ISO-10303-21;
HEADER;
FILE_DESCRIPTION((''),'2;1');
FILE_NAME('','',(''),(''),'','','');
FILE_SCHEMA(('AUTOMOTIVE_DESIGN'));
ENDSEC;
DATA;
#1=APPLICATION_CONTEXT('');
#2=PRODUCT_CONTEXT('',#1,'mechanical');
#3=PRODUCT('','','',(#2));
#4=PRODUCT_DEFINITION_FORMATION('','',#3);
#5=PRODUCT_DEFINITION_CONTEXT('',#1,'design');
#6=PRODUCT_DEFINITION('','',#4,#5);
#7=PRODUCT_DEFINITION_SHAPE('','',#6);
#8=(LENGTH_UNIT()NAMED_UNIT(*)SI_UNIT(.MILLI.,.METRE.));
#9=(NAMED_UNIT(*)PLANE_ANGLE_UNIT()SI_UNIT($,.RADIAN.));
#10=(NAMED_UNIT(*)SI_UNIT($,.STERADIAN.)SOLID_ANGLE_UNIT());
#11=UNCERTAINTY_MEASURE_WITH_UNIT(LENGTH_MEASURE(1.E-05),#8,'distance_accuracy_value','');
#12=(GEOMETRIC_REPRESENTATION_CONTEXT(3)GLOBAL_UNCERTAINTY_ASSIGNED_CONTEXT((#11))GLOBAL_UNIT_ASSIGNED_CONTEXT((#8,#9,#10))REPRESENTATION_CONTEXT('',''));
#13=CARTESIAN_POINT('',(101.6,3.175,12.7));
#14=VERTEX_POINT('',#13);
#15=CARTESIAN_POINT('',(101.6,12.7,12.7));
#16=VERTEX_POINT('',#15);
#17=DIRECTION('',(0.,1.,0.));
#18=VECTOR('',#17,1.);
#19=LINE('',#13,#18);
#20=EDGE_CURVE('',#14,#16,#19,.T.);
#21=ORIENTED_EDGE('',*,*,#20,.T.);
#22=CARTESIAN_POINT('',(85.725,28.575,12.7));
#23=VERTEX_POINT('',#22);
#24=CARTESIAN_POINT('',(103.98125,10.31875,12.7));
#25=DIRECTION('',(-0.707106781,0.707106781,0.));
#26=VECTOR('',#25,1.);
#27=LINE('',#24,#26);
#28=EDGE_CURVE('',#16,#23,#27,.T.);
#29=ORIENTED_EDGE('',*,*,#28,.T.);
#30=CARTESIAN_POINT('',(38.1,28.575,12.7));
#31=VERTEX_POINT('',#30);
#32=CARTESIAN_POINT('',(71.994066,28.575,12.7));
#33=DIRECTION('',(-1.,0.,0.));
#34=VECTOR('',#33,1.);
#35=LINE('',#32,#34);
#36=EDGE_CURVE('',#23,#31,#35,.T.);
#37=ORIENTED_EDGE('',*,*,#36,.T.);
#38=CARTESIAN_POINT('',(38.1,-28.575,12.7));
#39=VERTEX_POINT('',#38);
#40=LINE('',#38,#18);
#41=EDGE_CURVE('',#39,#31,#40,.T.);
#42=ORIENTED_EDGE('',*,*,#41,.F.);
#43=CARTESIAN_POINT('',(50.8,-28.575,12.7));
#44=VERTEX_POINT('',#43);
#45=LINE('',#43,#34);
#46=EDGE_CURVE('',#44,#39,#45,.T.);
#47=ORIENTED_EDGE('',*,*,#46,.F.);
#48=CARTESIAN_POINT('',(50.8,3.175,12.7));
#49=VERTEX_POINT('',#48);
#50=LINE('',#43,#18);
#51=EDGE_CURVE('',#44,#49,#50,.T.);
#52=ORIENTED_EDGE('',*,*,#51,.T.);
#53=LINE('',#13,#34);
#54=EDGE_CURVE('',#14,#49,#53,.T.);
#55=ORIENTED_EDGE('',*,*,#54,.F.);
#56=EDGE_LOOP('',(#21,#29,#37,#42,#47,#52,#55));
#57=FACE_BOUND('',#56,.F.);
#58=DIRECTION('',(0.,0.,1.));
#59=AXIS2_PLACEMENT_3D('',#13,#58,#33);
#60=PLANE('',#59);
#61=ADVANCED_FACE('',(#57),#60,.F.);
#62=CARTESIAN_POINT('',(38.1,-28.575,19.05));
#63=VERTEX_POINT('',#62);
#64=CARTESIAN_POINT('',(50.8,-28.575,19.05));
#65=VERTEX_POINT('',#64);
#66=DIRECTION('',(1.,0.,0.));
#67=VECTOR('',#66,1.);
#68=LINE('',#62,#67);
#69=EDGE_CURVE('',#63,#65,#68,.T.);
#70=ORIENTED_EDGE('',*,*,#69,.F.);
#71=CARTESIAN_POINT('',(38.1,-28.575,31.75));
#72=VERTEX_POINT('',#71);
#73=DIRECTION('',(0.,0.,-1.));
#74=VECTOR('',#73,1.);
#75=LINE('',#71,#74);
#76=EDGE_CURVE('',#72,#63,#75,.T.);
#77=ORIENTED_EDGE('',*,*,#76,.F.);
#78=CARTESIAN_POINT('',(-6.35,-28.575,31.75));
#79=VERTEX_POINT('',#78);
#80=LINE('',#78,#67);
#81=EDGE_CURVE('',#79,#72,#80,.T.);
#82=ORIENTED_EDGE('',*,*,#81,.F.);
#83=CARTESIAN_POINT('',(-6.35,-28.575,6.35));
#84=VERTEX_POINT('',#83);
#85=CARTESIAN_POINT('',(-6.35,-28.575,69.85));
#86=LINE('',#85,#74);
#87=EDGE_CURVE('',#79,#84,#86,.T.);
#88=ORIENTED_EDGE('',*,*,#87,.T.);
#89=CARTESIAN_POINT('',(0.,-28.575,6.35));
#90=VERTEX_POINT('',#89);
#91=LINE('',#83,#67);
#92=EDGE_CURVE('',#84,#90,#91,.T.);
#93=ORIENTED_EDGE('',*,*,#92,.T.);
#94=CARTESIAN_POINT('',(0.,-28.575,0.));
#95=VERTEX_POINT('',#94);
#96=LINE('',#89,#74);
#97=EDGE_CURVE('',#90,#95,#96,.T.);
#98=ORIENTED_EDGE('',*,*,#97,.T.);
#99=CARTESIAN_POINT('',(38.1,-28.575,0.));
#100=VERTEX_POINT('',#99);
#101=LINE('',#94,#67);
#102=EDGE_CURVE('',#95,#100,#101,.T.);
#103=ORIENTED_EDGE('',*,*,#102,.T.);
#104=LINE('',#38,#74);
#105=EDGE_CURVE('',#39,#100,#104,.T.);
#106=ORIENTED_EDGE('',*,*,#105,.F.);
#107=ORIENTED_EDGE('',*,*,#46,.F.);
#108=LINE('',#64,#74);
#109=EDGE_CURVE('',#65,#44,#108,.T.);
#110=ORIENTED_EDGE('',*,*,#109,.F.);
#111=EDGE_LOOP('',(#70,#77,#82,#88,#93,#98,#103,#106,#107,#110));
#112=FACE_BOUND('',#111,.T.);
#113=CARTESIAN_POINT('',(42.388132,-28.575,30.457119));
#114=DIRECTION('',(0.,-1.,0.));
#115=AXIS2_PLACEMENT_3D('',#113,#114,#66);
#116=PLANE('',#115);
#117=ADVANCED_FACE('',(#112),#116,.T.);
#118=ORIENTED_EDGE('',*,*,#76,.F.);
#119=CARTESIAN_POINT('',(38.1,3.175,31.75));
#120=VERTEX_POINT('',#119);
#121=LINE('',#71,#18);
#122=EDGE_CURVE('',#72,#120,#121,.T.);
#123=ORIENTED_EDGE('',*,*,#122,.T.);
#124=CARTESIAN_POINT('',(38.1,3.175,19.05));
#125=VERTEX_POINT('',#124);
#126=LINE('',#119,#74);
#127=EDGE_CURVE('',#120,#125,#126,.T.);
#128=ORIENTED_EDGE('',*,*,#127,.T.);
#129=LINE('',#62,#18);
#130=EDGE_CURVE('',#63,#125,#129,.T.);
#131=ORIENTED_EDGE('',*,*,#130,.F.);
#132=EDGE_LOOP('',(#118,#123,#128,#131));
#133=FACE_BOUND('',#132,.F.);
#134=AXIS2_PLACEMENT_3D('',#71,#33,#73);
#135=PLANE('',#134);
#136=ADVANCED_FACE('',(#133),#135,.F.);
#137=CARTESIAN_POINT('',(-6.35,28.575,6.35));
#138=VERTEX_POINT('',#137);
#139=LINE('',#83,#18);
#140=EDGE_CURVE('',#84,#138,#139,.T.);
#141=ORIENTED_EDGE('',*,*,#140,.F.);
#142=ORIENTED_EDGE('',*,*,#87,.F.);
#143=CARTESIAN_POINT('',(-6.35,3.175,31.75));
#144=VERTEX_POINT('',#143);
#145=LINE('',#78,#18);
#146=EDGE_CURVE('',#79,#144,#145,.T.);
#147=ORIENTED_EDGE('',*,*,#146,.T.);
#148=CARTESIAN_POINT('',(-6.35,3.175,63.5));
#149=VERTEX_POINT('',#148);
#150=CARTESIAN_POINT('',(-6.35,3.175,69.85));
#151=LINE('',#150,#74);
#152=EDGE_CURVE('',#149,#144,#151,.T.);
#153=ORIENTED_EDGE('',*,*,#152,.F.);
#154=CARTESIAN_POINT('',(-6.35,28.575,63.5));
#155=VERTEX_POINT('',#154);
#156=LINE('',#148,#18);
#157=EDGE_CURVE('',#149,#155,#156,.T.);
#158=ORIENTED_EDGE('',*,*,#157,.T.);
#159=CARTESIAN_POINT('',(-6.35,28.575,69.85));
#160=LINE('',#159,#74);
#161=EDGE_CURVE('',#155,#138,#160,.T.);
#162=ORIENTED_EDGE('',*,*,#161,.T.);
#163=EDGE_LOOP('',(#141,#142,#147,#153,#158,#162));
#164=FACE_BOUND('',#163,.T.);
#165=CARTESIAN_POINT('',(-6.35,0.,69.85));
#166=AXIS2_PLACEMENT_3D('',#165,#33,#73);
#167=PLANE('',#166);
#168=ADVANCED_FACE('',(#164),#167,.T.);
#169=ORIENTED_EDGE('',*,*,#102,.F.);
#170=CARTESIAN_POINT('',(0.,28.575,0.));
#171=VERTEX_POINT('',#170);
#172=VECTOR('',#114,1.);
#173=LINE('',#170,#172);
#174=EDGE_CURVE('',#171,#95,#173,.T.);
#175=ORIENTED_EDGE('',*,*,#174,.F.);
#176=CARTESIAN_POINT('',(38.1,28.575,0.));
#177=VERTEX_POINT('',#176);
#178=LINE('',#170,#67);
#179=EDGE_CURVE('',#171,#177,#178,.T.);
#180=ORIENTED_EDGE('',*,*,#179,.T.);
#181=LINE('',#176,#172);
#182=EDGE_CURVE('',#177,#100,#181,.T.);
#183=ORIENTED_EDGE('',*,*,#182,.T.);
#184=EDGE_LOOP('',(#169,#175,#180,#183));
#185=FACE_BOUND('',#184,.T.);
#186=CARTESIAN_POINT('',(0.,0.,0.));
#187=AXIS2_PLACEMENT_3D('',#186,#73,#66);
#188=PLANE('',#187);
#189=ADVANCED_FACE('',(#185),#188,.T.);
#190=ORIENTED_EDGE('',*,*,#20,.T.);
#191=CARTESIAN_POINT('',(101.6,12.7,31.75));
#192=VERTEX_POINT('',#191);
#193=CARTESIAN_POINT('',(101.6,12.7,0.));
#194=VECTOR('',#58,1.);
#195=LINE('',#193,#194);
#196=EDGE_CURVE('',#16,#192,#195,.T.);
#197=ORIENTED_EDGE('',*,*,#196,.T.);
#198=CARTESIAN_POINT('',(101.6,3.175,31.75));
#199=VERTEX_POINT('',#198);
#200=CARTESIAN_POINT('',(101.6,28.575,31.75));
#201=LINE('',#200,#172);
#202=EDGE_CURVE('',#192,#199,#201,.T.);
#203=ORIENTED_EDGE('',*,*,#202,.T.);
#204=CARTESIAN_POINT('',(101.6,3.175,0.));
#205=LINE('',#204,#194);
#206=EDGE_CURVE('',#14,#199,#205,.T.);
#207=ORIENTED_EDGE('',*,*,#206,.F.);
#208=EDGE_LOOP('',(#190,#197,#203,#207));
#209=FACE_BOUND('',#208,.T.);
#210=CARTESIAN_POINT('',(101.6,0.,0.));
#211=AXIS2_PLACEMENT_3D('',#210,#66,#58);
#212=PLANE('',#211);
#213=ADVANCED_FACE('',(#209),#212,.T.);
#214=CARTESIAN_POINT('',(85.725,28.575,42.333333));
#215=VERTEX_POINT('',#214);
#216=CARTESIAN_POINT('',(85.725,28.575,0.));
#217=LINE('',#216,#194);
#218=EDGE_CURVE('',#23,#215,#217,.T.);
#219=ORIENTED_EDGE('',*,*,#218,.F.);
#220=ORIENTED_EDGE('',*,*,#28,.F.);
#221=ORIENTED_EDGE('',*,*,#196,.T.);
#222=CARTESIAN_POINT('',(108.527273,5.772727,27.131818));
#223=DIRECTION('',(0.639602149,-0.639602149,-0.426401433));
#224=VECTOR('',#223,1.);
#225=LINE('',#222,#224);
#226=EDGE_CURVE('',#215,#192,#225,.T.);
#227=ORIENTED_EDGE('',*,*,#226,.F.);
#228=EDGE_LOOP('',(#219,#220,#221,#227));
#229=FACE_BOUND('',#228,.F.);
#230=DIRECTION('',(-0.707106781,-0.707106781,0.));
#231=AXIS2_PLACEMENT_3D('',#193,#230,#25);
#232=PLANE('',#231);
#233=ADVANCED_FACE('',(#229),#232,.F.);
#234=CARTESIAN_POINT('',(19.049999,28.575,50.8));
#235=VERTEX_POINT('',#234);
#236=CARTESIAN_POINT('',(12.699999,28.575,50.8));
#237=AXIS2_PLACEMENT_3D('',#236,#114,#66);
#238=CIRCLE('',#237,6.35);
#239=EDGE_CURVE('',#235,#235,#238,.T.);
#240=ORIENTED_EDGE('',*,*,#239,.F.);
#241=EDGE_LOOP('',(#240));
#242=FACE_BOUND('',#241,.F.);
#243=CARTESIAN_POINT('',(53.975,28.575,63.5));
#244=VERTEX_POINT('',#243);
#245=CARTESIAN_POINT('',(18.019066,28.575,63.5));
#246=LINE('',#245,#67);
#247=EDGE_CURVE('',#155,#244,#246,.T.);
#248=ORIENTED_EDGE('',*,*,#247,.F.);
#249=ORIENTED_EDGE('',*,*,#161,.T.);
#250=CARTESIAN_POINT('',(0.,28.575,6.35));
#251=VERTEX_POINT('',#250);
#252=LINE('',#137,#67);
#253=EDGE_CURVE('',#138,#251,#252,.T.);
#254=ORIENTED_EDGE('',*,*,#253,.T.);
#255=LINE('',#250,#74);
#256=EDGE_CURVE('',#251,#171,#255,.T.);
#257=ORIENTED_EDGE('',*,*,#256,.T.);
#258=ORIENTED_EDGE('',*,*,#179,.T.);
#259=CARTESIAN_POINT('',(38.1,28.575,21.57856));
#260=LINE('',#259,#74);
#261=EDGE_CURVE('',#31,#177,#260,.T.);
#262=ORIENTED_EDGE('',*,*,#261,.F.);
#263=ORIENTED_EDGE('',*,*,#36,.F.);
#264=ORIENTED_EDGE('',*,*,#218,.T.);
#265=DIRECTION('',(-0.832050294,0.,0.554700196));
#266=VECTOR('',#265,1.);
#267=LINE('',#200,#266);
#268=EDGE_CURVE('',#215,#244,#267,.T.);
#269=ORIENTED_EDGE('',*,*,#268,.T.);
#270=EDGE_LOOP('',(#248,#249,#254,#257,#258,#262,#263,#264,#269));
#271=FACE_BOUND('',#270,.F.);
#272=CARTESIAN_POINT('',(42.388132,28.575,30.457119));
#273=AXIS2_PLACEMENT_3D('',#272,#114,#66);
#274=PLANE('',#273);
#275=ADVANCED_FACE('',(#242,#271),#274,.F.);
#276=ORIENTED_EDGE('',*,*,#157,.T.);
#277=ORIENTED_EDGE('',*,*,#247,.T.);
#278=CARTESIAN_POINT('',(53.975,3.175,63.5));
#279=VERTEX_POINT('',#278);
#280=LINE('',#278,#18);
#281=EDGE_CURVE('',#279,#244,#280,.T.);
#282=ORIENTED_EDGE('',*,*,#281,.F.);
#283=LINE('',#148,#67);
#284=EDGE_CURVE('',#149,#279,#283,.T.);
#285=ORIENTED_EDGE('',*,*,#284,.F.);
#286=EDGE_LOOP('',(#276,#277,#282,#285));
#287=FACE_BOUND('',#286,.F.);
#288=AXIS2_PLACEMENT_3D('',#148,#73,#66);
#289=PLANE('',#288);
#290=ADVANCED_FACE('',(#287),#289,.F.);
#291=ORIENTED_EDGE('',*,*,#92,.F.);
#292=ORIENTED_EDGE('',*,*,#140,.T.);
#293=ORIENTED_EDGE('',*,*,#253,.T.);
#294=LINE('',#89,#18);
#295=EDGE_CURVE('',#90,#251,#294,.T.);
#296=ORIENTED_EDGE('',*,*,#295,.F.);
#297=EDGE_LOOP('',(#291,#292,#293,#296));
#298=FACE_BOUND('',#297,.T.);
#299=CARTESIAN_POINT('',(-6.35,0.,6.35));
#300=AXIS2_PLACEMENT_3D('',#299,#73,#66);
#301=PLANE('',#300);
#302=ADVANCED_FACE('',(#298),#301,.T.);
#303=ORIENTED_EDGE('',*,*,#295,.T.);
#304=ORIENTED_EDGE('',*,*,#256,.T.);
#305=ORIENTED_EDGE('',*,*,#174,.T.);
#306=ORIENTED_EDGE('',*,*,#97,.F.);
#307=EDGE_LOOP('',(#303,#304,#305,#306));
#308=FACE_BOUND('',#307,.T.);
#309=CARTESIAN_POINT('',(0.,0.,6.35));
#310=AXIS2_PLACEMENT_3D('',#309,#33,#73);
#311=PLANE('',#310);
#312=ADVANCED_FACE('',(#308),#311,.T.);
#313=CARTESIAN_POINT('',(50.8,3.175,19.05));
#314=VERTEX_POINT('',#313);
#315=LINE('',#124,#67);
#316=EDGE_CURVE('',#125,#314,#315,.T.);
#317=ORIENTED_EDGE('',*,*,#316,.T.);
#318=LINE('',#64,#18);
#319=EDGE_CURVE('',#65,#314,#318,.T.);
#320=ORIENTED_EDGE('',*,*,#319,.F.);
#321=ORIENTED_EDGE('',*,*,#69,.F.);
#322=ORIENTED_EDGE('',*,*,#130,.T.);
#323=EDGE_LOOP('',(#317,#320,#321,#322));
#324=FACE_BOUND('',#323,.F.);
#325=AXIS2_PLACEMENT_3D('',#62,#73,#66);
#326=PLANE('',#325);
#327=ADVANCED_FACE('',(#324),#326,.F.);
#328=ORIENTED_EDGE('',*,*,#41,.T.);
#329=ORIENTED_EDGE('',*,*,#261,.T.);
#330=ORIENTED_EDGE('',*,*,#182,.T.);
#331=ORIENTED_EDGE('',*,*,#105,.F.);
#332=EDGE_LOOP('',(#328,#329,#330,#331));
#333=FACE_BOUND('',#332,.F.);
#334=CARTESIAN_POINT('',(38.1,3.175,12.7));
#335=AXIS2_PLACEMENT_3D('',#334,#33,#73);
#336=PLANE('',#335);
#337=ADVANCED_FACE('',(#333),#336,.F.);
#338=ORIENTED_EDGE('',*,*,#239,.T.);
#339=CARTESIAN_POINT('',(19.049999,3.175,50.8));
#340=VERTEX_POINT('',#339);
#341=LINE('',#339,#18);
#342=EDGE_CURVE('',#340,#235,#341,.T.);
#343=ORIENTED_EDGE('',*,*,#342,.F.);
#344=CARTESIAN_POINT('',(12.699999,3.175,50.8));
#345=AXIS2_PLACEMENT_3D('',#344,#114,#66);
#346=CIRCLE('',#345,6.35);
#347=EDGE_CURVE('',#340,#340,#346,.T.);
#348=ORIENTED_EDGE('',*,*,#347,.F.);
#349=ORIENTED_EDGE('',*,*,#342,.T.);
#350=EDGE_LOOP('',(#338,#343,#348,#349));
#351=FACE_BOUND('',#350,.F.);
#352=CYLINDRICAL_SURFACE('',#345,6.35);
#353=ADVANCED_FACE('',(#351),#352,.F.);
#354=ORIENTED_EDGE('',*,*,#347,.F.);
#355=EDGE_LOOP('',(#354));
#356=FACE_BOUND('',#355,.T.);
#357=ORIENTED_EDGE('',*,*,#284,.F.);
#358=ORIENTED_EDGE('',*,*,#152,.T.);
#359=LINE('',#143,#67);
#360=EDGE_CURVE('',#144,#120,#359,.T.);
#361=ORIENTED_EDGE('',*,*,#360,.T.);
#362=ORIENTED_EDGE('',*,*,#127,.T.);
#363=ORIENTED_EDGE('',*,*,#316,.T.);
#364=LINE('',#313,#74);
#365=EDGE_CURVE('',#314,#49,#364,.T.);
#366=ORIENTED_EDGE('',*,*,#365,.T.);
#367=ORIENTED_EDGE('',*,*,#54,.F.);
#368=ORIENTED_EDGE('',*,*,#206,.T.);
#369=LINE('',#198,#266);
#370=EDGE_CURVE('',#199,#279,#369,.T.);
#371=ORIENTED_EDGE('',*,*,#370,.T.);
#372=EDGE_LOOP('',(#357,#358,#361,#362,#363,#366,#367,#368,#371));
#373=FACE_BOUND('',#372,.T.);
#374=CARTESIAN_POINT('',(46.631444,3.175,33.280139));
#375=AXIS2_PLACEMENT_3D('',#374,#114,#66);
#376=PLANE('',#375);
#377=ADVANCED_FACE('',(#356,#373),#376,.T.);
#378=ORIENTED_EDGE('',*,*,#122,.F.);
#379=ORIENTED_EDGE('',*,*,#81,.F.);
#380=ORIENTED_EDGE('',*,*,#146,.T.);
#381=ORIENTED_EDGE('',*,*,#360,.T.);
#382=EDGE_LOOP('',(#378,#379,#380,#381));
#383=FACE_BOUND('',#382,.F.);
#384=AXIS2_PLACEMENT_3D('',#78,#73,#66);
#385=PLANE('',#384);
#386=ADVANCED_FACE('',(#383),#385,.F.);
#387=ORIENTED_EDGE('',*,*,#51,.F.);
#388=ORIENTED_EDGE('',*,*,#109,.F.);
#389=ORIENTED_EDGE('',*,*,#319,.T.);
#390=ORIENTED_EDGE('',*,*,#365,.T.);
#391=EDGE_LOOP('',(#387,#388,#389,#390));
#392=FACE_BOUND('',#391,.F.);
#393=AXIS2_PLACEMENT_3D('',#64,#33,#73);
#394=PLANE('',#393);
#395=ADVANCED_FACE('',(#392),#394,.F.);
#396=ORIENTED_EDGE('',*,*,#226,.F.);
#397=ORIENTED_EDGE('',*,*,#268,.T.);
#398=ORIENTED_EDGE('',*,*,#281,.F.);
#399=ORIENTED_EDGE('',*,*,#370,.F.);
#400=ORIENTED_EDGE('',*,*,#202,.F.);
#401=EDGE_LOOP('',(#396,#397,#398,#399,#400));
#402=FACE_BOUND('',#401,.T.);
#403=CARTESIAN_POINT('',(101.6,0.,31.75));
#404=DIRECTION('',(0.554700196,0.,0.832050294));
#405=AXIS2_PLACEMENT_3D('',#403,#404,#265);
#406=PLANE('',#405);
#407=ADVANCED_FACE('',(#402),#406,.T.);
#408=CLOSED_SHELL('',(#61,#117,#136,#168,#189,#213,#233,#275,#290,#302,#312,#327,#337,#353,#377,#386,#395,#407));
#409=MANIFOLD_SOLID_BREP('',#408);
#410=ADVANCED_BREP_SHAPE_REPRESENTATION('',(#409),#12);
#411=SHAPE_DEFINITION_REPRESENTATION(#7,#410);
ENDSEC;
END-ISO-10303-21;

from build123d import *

# Parameters (mm, degrees)
F1_DEPTH  = 28.575
F3_DEPTH  = 31.75
F5_DEPTH  = 69.851
F6_R      = 6.35
F7_DEPTH  = 25.401
F9_DEPTH  = 25.401
F11_DEPTH = 25.401


with BuildPart() as f1:
    # F0 (on Front) → F1 (new body, symmetric)
    with BuildSketch(Plane.XZ):
        Polygon((0, 6.35), (0, 0), (101.6, 0), (101.6, 31.75), (44.45, 69.85), (-6.35, 69.85), (-6.35, 6.35), align=None)
    extrude(amount=F1_DEPTH, both=True)

    # F2 (on face) → F3 (cut)
    with BuildSketch(Plane.XZ.offset(28.575)):
        Polygon((38.1, 0), (101.6, 0), (101.6, 31.75), (44.45, 69.85), (-6.35, 69.85), (-6.35, 31.75), (38.1, 31.75), (38.1, 19.05), (50.8, 19.05), (50.8, 12.7), (38.1, 12.7), align=None)
    extrude(amount=-F3_DEPTH, mode=Mode.SUBTRACT)

    # F4 (on face) → F5 (cut, through all)
    with BuildSketch(Plane(origin=(0, 0, 0), x_dir=(1, 0, 0), z_dir=(0, 0, -1))):
        Polygon((85.725, -28.575), (101.6, -28.575), (101.6, -12.7), align=None)
    extrude(amount=-F5_DEPTH, mode=Mode.SUBTRACT)

    # F6 (on face) → F7 (cut, through all)
    with BuildSketch(Plane.XZ.offset(-3.175)):
        with Locations((12.699999, 50.8)):
            Circle(F6_R)
    extrude(amount=-F7_DEPTH, mode=Mode.SUBTRACT)

    # F8 (on face) → F9 (cut, through all)
    with BuildSketch(Plane.XZ.offset(-3.175)):
        Polygon((38.1, 12.7), (38.1, 0), (101.6, 0), (101.6, 12.7), (50.8, 12.7), align=None)
    extrude(amount=-F9_DEPTH, mode=Mode.SUBTRACT)

    # F10 (on face) → F11 (cut, through all)
    with BuildSketch(Plane.XZ.offset(-3.175)):
        Polygon((44.45, 69.85), (-6.35, 69.85), (-6.35, 63.5), (53.975, 63.5), align=None)
    extrude(amount=-F11_DEPTH, mode=Mode.SUBTRACT)


solid = f1.part
